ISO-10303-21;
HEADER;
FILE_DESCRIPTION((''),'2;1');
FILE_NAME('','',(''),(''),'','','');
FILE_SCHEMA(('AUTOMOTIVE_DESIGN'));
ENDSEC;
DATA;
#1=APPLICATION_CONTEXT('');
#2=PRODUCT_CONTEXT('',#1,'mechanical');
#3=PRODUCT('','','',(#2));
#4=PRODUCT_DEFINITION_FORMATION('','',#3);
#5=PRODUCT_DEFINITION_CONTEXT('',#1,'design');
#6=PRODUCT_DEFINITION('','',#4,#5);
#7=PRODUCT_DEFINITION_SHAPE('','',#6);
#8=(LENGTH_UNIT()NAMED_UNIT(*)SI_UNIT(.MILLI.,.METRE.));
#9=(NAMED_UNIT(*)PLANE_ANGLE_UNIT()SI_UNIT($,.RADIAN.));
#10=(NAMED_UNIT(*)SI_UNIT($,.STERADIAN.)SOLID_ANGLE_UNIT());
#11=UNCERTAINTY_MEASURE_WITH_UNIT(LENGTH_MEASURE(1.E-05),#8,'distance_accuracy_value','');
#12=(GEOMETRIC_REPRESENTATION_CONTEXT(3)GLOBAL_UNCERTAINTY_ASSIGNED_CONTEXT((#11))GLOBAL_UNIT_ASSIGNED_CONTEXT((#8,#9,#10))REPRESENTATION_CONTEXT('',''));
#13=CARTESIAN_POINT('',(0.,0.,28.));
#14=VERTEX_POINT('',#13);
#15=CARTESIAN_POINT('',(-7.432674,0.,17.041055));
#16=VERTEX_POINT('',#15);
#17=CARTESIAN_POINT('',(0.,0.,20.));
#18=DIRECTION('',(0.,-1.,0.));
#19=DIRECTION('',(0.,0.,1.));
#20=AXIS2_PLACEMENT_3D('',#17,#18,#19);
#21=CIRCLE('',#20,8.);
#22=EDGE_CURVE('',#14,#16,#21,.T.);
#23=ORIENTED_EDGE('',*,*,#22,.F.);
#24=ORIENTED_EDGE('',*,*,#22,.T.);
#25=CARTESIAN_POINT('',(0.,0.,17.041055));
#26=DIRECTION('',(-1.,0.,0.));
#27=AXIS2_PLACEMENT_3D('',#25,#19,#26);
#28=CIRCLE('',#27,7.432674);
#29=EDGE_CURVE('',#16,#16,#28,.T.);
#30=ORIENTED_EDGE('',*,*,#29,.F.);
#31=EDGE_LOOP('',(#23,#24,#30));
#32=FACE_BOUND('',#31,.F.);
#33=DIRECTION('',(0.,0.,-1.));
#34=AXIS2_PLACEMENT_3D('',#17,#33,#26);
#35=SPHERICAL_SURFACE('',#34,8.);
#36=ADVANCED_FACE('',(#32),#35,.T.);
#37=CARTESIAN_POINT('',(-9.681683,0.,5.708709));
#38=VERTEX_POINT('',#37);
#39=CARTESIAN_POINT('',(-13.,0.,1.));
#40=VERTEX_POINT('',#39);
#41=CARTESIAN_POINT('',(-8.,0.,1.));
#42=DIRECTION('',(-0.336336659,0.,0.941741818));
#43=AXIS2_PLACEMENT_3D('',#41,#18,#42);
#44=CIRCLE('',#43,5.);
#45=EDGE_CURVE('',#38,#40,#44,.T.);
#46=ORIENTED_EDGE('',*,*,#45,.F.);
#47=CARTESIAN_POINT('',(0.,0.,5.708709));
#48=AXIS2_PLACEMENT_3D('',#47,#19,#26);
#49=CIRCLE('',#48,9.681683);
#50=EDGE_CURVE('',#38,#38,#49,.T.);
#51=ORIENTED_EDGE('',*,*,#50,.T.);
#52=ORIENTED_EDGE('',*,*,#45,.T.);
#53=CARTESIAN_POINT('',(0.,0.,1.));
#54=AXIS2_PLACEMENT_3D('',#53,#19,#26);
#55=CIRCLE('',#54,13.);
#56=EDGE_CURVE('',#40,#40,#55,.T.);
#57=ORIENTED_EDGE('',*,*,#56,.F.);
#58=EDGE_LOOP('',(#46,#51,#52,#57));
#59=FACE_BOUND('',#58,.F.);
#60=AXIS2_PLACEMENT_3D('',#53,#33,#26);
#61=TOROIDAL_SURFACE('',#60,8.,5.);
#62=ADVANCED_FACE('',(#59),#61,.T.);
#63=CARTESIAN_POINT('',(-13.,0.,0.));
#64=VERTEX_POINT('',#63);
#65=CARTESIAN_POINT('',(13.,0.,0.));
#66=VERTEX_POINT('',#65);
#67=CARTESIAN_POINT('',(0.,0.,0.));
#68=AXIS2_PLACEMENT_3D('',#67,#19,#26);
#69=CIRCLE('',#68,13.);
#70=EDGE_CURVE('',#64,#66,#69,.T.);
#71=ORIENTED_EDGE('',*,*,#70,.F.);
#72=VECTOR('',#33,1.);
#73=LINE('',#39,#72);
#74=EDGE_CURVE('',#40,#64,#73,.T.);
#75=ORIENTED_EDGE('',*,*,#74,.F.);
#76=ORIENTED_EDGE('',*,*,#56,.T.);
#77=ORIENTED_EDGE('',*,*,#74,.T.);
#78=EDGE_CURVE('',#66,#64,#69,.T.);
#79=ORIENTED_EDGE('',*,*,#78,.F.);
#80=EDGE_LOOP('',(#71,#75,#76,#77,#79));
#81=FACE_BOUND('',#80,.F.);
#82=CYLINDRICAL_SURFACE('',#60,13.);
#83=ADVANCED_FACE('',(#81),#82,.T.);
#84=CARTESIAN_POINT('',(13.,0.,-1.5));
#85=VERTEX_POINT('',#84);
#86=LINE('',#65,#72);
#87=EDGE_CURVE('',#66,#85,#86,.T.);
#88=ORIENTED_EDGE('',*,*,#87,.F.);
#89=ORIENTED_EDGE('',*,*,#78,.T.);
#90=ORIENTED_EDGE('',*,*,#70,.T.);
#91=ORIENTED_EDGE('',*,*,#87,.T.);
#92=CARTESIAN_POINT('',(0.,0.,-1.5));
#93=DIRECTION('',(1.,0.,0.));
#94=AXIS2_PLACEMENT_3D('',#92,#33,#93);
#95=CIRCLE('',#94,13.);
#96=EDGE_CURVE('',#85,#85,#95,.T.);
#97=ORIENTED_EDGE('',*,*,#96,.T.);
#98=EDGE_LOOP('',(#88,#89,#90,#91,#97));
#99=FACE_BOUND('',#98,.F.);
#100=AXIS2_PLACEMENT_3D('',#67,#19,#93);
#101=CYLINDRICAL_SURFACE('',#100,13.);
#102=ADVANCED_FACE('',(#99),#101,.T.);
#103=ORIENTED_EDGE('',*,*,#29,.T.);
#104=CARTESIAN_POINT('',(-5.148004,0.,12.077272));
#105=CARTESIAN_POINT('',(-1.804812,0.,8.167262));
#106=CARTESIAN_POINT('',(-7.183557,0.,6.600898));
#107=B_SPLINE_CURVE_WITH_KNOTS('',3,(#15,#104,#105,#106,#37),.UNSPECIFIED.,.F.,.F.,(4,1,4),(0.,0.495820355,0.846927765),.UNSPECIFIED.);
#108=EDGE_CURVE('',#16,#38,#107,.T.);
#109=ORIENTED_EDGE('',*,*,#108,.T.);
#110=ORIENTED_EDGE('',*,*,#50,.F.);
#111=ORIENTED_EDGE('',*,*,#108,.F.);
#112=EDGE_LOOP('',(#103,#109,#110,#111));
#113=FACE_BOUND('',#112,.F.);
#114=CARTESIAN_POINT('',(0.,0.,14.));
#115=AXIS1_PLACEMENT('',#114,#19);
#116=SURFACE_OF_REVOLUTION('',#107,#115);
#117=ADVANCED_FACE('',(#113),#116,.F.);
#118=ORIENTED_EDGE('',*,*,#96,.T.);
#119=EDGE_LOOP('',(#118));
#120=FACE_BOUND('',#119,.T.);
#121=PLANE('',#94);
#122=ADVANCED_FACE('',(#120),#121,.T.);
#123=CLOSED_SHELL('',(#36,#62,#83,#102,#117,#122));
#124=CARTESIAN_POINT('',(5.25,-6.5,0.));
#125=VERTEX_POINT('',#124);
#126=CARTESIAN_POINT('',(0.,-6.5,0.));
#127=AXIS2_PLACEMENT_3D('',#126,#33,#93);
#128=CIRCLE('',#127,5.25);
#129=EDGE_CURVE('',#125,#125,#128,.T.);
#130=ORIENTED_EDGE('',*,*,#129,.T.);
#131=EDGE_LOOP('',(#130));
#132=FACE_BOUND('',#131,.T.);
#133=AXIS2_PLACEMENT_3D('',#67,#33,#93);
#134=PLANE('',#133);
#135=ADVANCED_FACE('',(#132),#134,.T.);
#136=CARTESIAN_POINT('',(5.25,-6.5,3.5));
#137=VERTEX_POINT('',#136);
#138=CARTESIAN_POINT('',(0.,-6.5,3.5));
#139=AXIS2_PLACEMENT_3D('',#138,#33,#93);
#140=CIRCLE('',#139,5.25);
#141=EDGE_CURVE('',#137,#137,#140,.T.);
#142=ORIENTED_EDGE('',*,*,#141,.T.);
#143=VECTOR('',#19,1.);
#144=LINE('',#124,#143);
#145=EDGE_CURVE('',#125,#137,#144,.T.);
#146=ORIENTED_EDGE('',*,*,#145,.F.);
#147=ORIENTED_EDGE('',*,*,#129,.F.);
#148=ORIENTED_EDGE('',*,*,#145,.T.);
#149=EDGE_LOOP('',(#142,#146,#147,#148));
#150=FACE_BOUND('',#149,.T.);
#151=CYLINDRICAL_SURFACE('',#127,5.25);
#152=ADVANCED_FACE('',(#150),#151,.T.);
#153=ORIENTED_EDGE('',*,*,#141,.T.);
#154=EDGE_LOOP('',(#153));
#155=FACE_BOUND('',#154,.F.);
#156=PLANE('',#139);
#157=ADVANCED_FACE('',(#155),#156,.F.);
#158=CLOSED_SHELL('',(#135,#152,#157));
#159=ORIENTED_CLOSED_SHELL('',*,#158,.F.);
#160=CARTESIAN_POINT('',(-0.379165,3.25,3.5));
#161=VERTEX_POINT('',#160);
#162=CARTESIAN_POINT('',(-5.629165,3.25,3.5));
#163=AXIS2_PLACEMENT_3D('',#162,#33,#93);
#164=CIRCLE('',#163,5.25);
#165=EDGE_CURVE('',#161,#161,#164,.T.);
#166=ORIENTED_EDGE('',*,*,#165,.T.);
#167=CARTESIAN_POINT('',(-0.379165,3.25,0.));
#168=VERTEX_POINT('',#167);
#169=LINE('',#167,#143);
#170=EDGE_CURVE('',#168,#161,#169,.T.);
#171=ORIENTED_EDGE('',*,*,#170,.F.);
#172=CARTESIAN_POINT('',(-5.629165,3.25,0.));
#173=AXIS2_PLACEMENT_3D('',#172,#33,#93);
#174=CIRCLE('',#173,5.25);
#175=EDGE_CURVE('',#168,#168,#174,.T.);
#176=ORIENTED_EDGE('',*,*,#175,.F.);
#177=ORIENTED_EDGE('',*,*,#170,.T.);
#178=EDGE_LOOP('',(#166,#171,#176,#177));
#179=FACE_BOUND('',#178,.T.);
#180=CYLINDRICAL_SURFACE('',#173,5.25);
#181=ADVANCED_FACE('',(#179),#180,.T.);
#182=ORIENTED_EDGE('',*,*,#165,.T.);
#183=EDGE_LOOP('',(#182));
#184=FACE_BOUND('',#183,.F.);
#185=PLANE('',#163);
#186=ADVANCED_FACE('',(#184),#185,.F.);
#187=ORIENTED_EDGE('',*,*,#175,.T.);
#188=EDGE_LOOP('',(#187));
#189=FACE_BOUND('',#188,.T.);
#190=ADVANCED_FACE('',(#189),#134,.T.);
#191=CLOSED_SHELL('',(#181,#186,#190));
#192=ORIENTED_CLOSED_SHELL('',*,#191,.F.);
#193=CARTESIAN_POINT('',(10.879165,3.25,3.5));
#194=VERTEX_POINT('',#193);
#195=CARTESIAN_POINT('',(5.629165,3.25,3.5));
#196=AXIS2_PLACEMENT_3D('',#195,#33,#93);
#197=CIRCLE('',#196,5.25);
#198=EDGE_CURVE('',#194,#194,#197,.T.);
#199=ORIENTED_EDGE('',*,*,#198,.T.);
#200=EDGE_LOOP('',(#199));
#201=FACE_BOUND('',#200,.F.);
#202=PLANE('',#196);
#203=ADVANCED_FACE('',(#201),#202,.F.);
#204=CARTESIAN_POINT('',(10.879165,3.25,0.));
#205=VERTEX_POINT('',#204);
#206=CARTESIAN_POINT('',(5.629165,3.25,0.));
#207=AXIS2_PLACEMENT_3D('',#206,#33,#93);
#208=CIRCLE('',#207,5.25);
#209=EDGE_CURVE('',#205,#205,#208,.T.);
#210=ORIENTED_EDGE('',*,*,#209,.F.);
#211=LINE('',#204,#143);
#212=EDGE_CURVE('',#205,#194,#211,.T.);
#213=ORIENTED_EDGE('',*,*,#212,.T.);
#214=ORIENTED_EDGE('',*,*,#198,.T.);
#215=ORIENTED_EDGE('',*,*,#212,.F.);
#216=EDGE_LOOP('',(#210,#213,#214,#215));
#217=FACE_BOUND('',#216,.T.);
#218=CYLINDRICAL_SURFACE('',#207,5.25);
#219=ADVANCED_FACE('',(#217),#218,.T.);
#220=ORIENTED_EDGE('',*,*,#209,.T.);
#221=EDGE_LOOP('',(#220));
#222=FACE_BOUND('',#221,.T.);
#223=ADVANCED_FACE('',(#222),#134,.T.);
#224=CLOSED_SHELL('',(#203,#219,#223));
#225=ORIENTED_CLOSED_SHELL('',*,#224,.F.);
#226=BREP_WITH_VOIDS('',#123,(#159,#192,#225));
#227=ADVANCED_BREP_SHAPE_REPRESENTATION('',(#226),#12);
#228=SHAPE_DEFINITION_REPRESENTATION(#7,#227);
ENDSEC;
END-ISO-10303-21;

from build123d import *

# Parameters (mm, degrees)
F2_R     = 5.25
F3_DEPTH = 3.5
F4_R     = 13
F5_DEPTH = 1.5


with BuildPart() as f1:
    # F0 (on Front) → F1 (revolve)
    with BuildSketch(Plane.XZ):
        with BuildLine():
            Line((-13, 0), (0, 0))
            Line((0, 0), (0, 28))
            ThreePointArc((0, 28), (-6.6208594363, 24.4904588101), (-7.4326741465, 17.0410550813))
            add(Edge.make_bspline(
                [(-7.4326741465, 17.0410550813), (-5.1480043112, 12.0772723951), (-1.8048124165, 8.1672623986), (-7.1835572352, 6.6008977536), (-9.6816832971, 5.7087090893)],
                knots=[0, 0, 0, 0, 0.495820355, 0.8469277652, 0.8469277652, 0.8469277652, 0.8469277652], degree=3))
            ThreePointArc((-9.6816832971, 5.7087090893), (-12.0870782037, 3.8802416144), (-13, 1))
            Line((-13, 1), (-13, 0))
        make_face()
    revolve(axis=Axis((0, 0, 14), (0, 0, 1)))

    # F2 (on face) → F3 (cut)
    with BuildSketch(Plane(origin=(0, 0, 0), x_dir=(1, 0, 0), z_dir=(0, 0, -1))):
        with Locations((-5.6291651246, -3.25)):
            Circle(F2_R)
        with Locations((5.6291651246, -3.25)):
            Circle(F2_R)
        with Locations((0, 6.5)):
            Circle(F2_R)
    extrude(amount=-F3_DEPTH, mode=Mode.SUBTRACT)

    # F4 (on face) → F5 (join)
    with BuildSketch(Plane(origin=(0, 0, 0), x_dir=(1, 0, 0), z_dir=(0, 0, -1))):
        Circle(F4_R)
    extrude(amount=F5_DEPTH)


solid = f1.part
